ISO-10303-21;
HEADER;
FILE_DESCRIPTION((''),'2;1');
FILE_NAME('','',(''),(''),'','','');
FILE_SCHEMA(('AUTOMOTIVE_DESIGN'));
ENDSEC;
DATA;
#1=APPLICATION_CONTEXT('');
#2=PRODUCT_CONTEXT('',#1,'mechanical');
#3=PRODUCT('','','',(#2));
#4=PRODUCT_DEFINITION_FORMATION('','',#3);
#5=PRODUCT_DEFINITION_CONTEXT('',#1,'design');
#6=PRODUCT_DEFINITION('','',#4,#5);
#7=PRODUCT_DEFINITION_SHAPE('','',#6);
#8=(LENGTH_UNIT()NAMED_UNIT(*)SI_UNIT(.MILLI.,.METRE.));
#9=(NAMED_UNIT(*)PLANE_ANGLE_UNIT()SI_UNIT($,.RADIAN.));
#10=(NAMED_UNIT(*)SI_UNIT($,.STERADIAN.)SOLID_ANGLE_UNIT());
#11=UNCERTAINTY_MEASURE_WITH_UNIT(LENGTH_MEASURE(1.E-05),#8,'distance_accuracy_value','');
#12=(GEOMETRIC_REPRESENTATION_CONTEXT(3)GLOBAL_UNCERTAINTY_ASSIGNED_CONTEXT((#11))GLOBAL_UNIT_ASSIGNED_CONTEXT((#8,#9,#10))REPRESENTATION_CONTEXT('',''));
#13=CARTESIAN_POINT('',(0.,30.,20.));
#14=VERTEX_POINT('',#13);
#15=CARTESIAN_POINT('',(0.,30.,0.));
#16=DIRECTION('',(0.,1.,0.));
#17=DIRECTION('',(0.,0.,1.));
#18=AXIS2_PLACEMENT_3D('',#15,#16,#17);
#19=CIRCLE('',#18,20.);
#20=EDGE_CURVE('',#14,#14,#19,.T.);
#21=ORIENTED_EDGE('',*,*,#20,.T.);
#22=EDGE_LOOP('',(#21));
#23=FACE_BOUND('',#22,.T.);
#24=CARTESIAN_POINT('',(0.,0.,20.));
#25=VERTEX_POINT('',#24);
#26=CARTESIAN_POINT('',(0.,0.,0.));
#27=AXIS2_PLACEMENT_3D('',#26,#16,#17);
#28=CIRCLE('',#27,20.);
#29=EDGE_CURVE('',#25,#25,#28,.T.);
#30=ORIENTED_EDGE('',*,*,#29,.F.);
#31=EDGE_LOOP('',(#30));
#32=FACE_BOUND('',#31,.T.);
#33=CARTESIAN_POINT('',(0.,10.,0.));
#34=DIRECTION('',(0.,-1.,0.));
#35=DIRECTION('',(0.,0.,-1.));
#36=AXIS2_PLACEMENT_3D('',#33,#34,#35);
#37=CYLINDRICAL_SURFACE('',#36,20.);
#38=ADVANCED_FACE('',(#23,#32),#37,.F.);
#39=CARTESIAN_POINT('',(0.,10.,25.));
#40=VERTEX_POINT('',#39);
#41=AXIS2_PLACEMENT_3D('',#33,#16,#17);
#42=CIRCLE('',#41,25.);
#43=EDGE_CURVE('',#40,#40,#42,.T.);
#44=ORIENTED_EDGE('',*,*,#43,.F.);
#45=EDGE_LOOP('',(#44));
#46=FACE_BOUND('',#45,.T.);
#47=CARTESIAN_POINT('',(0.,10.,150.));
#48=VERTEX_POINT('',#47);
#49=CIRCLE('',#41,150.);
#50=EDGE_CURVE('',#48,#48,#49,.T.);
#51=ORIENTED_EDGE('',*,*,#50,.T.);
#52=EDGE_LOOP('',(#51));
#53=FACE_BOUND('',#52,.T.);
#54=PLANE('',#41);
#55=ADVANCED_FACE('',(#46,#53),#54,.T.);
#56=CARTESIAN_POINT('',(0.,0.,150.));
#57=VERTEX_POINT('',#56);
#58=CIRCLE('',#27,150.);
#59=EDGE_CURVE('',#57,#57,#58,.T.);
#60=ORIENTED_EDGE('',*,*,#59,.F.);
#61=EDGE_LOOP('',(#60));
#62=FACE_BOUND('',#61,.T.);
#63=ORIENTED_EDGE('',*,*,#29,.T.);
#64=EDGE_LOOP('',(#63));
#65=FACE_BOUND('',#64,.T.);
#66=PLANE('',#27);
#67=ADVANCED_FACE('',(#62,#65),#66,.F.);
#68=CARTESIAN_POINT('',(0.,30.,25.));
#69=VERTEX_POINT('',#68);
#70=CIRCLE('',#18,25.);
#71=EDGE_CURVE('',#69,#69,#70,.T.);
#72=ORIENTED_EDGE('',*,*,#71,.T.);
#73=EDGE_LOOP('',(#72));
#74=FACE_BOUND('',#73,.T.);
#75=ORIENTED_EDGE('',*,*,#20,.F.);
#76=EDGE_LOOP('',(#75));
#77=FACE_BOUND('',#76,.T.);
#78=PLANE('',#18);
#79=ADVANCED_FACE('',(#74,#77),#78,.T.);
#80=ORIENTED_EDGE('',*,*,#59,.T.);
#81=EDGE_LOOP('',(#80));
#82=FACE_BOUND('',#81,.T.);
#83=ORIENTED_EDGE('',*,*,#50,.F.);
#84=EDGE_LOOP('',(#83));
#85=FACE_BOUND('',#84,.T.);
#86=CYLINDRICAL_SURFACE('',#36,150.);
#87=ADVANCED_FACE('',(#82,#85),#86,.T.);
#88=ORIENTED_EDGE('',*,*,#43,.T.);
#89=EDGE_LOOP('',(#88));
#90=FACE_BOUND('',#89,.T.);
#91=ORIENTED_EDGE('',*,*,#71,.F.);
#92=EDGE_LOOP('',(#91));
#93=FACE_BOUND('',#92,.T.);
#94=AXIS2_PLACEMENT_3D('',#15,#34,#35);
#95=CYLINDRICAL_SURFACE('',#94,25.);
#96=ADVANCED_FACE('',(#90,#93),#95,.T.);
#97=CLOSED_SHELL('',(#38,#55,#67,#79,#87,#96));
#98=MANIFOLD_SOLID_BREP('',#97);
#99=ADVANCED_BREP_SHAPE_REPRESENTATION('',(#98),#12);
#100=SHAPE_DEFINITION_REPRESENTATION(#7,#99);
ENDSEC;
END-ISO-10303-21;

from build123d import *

# Parameters (mm, degrees)
SKETCH1_R           = 150
SKETCH1_R_2         = 25
SKETCH1_R_3         = 20
BOSS_EXTRUDE4_DEPTH = 10
SKETCH2_R           = 25
SKETCH2_R_2         = 20
BOSS_EXTRUDE6_DEPTH = 20


with BuildPart() as part:
    # Sketch1 → Boss-Extrude4 (new body)
    # profile 1 of 2: a face of its own
    with BuildSketch(Plane(origin=(0, 0, 0), x_dir=(1, 0, 0), z_dir=(0, 1, 0))):
        with Locations(Location((0, 0, 0), (0, 0, 270))):
            Circle(SKETCH1_R)
        Circle(SKETCH1_R_2, mode=Mode.SUBTRACT)
    # profile 2 of 2: a face of its own
    with BuildSketch(Plane(origin=(0, 0, 0), x_dir=(1, 0, 0), z_dir=(0, 1, 0))):
        Circle(SKETCH1_R_2)
        with Locations(Location((0, 0, 0), (0, 0, 270))):
            Circle(SKETCH1_R_3, mode=Mode.SUBTRACT)
    extrude(amount=BOSS_EXTRUDE4_DEPTH)

    # Sketch2 → Boss-Extrude6 (add)
    with BuildSketch(Plane(origin=(0, 10, 0), x_dir=(1, 0, 0), z_dir=(0, 1, 0))):
        with Locations(Location((0, 0, 0), (0, 0, 270))):
            Circle(SKETCH2_R)
        with Locations(Location((0, 0, 0), (0, 0, 270))):
            Circle(SKETCH2_R_2, mode=Mode.SUBTRACT)
    extrude(amount=BOSS_EXTRUDE6_DEPTH)


solid = part.part
